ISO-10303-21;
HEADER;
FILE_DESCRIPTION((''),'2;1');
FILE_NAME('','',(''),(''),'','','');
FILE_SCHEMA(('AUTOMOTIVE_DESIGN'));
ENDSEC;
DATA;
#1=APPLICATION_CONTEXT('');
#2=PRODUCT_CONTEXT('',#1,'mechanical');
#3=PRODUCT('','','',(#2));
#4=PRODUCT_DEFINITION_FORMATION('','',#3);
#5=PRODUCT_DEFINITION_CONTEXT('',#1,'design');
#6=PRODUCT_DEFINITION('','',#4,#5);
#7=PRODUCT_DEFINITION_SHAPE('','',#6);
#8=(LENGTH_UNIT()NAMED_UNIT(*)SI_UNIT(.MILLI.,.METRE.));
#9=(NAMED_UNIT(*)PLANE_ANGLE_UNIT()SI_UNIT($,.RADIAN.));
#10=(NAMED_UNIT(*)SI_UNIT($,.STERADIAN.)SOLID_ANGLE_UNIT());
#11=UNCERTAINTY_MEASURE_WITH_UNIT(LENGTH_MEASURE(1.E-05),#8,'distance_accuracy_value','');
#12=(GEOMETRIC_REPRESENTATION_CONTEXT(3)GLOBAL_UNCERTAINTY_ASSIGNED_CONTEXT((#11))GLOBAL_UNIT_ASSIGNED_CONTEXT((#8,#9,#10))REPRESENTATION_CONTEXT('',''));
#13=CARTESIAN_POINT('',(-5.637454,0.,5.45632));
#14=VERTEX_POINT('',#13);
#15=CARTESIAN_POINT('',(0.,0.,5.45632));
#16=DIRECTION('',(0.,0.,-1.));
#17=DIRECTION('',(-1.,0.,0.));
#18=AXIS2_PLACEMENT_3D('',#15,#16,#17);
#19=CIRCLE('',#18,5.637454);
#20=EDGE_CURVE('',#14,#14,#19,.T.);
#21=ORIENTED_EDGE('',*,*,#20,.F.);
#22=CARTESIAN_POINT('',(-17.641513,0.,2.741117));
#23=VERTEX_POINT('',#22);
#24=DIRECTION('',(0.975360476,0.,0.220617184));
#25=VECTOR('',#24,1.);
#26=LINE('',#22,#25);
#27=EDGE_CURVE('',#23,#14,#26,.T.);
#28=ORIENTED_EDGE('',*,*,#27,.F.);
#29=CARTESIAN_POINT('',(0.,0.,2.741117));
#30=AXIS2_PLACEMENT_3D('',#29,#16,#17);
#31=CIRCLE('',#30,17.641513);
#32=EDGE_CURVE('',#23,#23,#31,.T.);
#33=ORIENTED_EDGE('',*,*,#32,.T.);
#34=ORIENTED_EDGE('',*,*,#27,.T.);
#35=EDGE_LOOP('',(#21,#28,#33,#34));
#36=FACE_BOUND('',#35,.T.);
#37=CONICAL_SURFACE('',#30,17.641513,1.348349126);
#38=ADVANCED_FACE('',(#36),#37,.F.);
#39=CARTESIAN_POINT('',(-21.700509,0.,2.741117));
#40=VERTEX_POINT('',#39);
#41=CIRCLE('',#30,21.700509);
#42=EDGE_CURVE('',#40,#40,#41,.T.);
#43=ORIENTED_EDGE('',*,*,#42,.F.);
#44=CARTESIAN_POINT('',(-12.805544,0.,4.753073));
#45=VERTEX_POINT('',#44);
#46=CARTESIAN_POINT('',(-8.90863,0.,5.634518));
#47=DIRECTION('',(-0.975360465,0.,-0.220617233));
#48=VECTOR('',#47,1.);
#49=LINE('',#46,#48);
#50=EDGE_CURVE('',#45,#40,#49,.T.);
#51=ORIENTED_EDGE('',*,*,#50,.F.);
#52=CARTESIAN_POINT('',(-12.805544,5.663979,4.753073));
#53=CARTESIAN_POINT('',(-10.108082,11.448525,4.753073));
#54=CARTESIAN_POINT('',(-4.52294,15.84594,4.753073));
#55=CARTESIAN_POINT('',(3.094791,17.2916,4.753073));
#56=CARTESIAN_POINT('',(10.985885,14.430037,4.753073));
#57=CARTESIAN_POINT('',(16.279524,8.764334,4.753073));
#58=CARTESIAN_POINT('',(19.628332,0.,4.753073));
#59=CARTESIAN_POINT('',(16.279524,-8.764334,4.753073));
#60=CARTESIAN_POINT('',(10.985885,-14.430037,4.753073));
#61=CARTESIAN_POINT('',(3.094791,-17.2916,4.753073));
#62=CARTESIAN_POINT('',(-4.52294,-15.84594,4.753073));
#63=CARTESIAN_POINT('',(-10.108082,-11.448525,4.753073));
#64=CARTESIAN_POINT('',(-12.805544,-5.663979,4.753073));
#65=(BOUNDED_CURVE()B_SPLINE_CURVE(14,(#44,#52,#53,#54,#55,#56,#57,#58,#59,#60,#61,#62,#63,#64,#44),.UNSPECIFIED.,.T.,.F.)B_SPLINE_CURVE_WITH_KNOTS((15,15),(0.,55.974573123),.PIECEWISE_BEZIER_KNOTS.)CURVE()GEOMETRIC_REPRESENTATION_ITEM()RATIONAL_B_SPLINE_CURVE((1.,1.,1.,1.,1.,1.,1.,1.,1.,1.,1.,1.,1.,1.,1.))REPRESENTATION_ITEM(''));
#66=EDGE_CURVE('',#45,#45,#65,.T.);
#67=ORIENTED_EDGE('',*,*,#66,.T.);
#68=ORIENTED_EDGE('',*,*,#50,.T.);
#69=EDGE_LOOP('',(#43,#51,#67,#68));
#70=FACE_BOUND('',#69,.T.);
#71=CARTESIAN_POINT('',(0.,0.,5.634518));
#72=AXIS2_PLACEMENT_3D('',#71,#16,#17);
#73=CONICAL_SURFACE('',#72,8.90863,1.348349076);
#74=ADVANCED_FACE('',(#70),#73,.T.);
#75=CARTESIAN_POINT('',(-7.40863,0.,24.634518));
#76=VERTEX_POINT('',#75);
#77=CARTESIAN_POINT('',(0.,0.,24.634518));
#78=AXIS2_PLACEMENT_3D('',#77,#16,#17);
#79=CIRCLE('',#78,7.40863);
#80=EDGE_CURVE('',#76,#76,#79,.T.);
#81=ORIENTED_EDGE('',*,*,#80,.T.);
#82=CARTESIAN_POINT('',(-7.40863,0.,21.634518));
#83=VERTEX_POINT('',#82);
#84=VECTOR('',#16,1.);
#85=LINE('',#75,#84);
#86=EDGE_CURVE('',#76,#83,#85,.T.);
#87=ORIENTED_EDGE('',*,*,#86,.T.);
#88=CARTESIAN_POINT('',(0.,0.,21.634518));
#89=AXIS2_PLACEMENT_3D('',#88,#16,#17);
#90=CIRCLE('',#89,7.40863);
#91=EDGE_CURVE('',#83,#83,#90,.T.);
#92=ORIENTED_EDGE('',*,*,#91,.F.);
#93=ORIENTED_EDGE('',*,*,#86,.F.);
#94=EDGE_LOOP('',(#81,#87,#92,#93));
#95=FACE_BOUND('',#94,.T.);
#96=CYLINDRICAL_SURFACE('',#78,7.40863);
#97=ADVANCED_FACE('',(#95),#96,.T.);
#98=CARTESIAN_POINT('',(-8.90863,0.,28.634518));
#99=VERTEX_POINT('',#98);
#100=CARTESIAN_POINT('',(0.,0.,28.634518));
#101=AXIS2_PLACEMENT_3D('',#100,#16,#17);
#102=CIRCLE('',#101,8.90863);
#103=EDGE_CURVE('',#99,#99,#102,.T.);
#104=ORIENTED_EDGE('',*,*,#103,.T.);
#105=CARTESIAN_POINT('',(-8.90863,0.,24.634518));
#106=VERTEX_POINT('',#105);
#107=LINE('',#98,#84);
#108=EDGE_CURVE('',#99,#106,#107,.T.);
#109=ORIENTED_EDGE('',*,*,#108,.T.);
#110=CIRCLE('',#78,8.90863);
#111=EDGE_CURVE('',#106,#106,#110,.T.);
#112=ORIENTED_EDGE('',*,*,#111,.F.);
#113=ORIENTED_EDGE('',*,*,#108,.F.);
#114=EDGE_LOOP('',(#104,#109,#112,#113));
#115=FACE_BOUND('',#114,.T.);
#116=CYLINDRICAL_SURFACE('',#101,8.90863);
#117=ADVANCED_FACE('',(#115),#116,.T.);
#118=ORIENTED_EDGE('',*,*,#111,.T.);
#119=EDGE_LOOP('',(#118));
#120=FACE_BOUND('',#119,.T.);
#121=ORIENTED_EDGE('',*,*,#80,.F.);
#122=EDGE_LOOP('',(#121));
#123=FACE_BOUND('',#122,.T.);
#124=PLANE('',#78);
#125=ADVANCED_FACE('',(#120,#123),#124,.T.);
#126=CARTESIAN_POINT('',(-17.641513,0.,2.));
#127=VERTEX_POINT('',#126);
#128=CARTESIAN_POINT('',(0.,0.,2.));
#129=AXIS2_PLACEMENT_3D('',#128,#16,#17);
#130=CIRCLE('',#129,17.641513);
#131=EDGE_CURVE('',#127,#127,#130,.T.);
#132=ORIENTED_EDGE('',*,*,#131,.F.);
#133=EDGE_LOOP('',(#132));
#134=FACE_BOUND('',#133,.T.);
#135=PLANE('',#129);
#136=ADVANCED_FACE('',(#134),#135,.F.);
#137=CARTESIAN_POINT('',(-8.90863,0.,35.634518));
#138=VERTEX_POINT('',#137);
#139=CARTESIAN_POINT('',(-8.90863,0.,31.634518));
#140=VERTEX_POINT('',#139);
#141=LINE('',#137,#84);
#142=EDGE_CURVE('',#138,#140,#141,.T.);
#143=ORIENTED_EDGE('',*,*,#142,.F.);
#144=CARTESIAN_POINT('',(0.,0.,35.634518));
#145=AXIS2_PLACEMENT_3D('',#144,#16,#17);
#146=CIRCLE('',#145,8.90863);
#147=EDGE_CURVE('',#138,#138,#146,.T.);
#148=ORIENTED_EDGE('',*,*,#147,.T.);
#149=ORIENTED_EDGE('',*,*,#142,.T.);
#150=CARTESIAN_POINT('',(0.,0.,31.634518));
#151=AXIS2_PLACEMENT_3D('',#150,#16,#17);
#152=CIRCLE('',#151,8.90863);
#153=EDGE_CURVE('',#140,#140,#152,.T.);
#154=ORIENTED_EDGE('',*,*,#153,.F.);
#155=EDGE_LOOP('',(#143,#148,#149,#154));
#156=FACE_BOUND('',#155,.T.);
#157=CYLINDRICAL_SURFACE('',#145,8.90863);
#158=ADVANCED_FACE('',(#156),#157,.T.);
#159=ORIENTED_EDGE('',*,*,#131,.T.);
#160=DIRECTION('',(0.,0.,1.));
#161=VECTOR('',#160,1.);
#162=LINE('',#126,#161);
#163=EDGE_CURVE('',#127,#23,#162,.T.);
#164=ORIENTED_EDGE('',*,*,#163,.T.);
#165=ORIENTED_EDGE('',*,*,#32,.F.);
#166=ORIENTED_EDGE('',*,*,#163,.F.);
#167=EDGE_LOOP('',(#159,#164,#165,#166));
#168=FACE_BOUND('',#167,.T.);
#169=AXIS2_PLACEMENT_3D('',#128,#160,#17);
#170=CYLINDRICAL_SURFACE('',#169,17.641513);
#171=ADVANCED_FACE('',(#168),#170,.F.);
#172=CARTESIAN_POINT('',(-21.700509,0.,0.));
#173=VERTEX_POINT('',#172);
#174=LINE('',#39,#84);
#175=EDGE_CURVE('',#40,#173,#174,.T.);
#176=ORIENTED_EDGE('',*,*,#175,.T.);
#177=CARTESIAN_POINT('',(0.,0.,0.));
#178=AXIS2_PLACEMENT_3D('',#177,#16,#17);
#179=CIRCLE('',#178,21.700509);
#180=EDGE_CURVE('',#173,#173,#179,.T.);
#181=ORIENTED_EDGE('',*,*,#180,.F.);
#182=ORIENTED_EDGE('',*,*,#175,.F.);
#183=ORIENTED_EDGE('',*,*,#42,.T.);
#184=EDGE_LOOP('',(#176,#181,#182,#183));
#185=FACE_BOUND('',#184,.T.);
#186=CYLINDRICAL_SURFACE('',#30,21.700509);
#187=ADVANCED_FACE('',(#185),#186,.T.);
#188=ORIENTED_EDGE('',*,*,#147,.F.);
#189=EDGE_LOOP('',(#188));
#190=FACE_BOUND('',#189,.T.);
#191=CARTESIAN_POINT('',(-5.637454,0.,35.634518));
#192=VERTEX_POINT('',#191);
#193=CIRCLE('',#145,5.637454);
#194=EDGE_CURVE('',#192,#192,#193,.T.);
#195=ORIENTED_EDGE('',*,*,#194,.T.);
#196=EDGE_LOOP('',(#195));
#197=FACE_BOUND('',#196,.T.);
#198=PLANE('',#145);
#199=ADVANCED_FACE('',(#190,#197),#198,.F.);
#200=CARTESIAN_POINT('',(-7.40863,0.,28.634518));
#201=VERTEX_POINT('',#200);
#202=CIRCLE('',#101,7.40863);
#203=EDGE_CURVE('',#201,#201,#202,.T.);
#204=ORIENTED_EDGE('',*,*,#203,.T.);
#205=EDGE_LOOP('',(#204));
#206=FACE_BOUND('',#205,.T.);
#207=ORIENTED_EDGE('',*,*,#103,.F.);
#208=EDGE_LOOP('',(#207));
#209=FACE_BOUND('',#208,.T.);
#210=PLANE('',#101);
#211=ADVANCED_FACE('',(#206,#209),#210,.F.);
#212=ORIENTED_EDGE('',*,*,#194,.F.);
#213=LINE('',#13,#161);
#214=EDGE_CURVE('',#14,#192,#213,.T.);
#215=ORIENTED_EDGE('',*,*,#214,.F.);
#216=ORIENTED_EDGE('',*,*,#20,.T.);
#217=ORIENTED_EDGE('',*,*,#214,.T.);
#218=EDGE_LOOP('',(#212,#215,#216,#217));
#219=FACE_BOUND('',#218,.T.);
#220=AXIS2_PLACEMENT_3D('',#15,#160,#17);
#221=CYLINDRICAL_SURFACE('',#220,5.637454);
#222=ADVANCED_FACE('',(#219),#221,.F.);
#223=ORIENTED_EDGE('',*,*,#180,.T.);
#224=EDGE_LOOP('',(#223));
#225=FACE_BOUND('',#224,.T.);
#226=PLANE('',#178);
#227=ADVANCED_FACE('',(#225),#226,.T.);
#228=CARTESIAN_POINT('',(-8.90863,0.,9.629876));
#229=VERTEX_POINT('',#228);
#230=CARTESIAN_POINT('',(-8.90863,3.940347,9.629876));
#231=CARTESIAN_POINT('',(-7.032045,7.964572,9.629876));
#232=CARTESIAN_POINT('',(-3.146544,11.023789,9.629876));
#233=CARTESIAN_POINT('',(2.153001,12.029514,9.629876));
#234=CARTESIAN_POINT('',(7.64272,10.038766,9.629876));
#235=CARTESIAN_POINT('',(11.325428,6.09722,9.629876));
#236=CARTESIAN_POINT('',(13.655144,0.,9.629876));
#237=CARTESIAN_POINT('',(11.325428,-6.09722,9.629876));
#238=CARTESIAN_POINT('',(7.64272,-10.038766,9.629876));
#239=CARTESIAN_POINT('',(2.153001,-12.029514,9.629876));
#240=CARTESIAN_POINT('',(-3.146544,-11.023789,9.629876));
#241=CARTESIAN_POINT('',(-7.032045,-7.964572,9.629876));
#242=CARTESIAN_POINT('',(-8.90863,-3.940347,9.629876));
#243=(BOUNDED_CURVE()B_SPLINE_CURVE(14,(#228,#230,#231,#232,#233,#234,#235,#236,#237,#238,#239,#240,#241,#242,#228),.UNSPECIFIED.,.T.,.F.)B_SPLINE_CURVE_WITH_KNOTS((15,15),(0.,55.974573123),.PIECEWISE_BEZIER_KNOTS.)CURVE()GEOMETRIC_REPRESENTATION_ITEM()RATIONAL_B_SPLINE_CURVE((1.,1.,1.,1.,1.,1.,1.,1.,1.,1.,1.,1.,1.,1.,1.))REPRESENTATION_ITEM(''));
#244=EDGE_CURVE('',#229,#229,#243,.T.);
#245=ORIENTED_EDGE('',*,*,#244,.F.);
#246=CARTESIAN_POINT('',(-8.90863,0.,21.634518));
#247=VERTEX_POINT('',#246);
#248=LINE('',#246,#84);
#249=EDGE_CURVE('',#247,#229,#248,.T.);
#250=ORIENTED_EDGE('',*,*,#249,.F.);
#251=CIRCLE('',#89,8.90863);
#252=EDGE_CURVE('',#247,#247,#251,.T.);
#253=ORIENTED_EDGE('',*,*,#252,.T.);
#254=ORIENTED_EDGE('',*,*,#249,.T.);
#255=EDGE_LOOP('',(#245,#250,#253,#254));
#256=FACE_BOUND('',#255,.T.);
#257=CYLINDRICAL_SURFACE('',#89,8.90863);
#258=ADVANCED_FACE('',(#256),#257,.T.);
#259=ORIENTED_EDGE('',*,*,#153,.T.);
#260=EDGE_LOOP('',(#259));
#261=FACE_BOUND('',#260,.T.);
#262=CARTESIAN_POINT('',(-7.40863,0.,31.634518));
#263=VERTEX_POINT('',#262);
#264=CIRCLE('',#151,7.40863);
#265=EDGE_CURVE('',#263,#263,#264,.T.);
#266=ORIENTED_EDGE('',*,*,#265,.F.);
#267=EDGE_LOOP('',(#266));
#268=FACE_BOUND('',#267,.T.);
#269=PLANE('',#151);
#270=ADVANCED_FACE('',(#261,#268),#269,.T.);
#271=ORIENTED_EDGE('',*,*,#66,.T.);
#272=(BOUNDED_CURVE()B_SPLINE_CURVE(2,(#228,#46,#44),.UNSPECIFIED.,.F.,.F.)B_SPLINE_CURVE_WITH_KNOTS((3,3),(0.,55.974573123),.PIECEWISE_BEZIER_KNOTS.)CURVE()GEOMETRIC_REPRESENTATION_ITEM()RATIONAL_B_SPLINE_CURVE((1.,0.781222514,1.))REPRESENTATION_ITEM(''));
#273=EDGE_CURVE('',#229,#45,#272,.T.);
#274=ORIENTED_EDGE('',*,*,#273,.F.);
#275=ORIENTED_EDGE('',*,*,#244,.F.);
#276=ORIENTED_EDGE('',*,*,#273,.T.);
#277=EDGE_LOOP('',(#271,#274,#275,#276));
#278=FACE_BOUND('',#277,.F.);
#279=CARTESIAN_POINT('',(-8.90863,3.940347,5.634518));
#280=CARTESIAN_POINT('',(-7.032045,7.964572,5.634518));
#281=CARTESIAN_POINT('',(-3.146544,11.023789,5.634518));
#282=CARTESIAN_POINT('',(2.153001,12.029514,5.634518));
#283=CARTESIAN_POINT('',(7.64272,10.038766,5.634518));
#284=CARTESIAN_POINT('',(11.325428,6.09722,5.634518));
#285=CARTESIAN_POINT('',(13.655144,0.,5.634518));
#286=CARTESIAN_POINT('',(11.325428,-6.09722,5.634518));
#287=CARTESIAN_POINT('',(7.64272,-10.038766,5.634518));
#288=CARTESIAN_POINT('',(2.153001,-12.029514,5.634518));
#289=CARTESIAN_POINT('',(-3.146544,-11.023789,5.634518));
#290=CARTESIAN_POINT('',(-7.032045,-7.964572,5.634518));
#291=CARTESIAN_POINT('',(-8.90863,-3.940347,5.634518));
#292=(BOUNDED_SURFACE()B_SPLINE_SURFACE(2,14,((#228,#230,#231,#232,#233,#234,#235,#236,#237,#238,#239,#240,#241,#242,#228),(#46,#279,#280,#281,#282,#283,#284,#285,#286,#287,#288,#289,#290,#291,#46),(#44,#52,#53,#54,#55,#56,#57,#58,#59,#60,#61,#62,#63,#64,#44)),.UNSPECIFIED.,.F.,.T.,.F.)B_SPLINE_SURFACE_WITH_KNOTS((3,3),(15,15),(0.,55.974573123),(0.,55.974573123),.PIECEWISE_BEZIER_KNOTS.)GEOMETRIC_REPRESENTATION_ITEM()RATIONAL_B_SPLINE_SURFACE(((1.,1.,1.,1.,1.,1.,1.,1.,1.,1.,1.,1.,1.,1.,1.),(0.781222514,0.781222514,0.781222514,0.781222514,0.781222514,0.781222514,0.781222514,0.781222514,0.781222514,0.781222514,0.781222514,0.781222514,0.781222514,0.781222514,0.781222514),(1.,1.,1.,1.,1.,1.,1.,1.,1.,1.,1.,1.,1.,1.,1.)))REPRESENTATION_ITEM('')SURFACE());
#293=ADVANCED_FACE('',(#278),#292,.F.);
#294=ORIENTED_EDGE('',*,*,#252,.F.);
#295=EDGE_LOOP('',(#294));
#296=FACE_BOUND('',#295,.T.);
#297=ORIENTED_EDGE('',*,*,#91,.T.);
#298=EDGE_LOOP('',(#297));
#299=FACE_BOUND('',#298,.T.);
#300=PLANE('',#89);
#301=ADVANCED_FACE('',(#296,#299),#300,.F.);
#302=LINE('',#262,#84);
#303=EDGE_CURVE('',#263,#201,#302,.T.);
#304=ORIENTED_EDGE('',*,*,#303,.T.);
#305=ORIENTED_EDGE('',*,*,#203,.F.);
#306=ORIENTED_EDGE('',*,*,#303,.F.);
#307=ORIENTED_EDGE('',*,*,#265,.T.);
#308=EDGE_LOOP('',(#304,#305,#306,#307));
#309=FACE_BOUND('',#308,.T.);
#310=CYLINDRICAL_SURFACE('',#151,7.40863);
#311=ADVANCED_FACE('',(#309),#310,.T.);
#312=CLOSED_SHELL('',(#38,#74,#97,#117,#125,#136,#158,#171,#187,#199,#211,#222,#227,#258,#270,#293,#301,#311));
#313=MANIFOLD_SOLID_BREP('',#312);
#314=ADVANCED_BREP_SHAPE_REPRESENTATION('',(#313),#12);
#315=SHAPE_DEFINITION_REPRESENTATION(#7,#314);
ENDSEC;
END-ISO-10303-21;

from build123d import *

# Parameters (mm, degrees)
F3_R = 5


with BuildPart() as f2:
    # F0 (on Front) → F2 (revolve)
    with BuildSketch(Plane.XZ):
        Polygon((-21.700509, 0), (0, 0), (0, 2), (-17.641513, 2), (-17.641513, 2.741117), (-5.637454, 5.45632), (-5.637454, 35.634518), (-8.90863, 35.634518), (-8.90863, 31.634518), (-7.40863, 31.634518), (-7.40863, 28.634518), (-8.90863, 28.634518), (-8.90863, 24.634518), (-7.40863, 24.634518), (-7.40863, 21.634518), (-8.90863, 21.634518), (-8.90863, 5.634518), (-21.700509, 2.741117), align=None)
    revolve(axis=Axis((0, 0, 18.831697), (0, 0, -1)))

    # F3
    f3_edges = [f2.edges().sort_by_distance(p)[0] for p in [
        (8.90863, 0, 5.634518),
    ]]
    fillet(f3_edges, radius=F3_R)


solid = f2.part
